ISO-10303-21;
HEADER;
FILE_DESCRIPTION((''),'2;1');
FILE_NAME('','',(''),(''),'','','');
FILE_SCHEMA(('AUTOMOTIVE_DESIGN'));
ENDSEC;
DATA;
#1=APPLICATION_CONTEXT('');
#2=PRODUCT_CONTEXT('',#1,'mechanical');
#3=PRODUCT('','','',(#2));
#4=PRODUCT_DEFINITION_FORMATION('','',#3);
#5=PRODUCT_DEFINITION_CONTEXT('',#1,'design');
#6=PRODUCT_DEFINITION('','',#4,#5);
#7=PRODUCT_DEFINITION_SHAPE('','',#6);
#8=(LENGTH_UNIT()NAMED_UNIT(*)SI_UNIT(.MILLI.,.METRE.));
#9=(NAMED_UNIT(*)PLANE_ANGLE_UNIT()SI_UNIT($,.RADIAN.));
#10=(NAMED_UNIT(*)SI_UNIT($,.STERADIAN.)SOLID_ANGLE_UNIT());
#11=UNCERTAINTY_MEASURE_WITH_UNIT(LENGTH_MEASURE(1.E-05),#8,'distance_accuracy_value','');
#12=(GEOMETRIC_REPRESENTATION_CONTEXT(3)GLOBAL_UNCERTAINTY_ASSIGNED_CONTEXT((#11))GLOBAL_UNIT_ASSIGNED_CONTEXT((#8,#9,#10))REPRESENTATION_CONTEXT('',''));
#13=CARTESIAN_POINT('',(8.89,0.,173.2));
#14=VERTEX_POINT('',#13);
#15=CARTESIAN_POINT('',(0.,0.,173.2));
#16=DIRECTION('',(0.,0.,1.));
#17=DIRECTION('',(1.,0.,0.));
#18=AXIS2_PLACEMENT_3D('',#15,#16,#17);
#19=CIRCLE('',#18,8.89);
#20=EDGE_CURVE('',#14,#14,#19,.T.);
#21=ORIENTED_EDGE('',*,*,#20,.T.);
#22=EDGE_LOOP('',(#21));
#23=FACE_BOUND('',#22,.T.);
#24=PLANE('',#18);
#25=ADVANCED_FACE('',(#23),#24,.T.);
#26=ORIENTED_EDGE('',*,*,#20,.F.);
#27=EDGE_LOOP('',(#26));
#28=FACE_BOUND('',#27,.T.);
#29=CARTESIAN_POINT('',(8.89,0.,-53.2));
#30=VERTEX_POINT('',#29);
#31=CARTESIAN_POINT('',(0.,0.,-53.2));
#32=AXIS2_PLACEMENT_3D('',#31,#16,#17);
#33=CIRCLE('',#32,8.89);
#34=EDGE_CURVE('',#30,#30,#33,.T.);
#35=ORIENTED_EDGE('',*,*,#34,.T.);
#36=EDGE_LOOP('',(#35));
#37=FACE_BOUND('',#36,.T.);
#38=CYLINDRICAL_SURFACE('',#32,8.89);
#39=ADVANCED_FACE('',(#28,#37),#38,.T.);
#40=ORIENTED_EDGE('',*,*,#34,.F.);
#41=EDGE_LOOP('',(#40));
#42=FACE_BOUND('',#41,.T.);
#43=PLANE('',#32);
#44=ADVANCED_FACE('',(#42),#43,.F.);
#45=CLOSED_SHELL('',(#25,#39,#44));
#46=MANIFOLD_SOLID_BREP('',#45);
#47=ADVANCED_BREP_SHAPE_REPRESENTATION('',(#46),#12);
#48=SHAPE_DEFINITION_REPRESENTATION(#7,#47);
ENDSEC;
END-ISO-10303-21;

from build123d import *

# Parameters (mm, degrees)
BOSS_EXTRUDE1_DEPTH      = 173.2
BOSS_EXTRUDE1_DEPTH_BACK = 53.2
SKETCH1_R                = 8.89


with BuildPart() as part:
    # Sketch1 → Boss-Extrude1 (new, two sides: drawn at the far end of the back side and taken through both)
    with BuildSketch(Plane.XY.offset(-BOSS_EXTRUDE1_DEPTH_BACK)):
        Circle(SKETCH1_R)
    extrude(amount=BOSS_EXTRUDE1_DEPTH + BOSS_EXTRUDE1_DEPTH_BACK)


solid = part.part
